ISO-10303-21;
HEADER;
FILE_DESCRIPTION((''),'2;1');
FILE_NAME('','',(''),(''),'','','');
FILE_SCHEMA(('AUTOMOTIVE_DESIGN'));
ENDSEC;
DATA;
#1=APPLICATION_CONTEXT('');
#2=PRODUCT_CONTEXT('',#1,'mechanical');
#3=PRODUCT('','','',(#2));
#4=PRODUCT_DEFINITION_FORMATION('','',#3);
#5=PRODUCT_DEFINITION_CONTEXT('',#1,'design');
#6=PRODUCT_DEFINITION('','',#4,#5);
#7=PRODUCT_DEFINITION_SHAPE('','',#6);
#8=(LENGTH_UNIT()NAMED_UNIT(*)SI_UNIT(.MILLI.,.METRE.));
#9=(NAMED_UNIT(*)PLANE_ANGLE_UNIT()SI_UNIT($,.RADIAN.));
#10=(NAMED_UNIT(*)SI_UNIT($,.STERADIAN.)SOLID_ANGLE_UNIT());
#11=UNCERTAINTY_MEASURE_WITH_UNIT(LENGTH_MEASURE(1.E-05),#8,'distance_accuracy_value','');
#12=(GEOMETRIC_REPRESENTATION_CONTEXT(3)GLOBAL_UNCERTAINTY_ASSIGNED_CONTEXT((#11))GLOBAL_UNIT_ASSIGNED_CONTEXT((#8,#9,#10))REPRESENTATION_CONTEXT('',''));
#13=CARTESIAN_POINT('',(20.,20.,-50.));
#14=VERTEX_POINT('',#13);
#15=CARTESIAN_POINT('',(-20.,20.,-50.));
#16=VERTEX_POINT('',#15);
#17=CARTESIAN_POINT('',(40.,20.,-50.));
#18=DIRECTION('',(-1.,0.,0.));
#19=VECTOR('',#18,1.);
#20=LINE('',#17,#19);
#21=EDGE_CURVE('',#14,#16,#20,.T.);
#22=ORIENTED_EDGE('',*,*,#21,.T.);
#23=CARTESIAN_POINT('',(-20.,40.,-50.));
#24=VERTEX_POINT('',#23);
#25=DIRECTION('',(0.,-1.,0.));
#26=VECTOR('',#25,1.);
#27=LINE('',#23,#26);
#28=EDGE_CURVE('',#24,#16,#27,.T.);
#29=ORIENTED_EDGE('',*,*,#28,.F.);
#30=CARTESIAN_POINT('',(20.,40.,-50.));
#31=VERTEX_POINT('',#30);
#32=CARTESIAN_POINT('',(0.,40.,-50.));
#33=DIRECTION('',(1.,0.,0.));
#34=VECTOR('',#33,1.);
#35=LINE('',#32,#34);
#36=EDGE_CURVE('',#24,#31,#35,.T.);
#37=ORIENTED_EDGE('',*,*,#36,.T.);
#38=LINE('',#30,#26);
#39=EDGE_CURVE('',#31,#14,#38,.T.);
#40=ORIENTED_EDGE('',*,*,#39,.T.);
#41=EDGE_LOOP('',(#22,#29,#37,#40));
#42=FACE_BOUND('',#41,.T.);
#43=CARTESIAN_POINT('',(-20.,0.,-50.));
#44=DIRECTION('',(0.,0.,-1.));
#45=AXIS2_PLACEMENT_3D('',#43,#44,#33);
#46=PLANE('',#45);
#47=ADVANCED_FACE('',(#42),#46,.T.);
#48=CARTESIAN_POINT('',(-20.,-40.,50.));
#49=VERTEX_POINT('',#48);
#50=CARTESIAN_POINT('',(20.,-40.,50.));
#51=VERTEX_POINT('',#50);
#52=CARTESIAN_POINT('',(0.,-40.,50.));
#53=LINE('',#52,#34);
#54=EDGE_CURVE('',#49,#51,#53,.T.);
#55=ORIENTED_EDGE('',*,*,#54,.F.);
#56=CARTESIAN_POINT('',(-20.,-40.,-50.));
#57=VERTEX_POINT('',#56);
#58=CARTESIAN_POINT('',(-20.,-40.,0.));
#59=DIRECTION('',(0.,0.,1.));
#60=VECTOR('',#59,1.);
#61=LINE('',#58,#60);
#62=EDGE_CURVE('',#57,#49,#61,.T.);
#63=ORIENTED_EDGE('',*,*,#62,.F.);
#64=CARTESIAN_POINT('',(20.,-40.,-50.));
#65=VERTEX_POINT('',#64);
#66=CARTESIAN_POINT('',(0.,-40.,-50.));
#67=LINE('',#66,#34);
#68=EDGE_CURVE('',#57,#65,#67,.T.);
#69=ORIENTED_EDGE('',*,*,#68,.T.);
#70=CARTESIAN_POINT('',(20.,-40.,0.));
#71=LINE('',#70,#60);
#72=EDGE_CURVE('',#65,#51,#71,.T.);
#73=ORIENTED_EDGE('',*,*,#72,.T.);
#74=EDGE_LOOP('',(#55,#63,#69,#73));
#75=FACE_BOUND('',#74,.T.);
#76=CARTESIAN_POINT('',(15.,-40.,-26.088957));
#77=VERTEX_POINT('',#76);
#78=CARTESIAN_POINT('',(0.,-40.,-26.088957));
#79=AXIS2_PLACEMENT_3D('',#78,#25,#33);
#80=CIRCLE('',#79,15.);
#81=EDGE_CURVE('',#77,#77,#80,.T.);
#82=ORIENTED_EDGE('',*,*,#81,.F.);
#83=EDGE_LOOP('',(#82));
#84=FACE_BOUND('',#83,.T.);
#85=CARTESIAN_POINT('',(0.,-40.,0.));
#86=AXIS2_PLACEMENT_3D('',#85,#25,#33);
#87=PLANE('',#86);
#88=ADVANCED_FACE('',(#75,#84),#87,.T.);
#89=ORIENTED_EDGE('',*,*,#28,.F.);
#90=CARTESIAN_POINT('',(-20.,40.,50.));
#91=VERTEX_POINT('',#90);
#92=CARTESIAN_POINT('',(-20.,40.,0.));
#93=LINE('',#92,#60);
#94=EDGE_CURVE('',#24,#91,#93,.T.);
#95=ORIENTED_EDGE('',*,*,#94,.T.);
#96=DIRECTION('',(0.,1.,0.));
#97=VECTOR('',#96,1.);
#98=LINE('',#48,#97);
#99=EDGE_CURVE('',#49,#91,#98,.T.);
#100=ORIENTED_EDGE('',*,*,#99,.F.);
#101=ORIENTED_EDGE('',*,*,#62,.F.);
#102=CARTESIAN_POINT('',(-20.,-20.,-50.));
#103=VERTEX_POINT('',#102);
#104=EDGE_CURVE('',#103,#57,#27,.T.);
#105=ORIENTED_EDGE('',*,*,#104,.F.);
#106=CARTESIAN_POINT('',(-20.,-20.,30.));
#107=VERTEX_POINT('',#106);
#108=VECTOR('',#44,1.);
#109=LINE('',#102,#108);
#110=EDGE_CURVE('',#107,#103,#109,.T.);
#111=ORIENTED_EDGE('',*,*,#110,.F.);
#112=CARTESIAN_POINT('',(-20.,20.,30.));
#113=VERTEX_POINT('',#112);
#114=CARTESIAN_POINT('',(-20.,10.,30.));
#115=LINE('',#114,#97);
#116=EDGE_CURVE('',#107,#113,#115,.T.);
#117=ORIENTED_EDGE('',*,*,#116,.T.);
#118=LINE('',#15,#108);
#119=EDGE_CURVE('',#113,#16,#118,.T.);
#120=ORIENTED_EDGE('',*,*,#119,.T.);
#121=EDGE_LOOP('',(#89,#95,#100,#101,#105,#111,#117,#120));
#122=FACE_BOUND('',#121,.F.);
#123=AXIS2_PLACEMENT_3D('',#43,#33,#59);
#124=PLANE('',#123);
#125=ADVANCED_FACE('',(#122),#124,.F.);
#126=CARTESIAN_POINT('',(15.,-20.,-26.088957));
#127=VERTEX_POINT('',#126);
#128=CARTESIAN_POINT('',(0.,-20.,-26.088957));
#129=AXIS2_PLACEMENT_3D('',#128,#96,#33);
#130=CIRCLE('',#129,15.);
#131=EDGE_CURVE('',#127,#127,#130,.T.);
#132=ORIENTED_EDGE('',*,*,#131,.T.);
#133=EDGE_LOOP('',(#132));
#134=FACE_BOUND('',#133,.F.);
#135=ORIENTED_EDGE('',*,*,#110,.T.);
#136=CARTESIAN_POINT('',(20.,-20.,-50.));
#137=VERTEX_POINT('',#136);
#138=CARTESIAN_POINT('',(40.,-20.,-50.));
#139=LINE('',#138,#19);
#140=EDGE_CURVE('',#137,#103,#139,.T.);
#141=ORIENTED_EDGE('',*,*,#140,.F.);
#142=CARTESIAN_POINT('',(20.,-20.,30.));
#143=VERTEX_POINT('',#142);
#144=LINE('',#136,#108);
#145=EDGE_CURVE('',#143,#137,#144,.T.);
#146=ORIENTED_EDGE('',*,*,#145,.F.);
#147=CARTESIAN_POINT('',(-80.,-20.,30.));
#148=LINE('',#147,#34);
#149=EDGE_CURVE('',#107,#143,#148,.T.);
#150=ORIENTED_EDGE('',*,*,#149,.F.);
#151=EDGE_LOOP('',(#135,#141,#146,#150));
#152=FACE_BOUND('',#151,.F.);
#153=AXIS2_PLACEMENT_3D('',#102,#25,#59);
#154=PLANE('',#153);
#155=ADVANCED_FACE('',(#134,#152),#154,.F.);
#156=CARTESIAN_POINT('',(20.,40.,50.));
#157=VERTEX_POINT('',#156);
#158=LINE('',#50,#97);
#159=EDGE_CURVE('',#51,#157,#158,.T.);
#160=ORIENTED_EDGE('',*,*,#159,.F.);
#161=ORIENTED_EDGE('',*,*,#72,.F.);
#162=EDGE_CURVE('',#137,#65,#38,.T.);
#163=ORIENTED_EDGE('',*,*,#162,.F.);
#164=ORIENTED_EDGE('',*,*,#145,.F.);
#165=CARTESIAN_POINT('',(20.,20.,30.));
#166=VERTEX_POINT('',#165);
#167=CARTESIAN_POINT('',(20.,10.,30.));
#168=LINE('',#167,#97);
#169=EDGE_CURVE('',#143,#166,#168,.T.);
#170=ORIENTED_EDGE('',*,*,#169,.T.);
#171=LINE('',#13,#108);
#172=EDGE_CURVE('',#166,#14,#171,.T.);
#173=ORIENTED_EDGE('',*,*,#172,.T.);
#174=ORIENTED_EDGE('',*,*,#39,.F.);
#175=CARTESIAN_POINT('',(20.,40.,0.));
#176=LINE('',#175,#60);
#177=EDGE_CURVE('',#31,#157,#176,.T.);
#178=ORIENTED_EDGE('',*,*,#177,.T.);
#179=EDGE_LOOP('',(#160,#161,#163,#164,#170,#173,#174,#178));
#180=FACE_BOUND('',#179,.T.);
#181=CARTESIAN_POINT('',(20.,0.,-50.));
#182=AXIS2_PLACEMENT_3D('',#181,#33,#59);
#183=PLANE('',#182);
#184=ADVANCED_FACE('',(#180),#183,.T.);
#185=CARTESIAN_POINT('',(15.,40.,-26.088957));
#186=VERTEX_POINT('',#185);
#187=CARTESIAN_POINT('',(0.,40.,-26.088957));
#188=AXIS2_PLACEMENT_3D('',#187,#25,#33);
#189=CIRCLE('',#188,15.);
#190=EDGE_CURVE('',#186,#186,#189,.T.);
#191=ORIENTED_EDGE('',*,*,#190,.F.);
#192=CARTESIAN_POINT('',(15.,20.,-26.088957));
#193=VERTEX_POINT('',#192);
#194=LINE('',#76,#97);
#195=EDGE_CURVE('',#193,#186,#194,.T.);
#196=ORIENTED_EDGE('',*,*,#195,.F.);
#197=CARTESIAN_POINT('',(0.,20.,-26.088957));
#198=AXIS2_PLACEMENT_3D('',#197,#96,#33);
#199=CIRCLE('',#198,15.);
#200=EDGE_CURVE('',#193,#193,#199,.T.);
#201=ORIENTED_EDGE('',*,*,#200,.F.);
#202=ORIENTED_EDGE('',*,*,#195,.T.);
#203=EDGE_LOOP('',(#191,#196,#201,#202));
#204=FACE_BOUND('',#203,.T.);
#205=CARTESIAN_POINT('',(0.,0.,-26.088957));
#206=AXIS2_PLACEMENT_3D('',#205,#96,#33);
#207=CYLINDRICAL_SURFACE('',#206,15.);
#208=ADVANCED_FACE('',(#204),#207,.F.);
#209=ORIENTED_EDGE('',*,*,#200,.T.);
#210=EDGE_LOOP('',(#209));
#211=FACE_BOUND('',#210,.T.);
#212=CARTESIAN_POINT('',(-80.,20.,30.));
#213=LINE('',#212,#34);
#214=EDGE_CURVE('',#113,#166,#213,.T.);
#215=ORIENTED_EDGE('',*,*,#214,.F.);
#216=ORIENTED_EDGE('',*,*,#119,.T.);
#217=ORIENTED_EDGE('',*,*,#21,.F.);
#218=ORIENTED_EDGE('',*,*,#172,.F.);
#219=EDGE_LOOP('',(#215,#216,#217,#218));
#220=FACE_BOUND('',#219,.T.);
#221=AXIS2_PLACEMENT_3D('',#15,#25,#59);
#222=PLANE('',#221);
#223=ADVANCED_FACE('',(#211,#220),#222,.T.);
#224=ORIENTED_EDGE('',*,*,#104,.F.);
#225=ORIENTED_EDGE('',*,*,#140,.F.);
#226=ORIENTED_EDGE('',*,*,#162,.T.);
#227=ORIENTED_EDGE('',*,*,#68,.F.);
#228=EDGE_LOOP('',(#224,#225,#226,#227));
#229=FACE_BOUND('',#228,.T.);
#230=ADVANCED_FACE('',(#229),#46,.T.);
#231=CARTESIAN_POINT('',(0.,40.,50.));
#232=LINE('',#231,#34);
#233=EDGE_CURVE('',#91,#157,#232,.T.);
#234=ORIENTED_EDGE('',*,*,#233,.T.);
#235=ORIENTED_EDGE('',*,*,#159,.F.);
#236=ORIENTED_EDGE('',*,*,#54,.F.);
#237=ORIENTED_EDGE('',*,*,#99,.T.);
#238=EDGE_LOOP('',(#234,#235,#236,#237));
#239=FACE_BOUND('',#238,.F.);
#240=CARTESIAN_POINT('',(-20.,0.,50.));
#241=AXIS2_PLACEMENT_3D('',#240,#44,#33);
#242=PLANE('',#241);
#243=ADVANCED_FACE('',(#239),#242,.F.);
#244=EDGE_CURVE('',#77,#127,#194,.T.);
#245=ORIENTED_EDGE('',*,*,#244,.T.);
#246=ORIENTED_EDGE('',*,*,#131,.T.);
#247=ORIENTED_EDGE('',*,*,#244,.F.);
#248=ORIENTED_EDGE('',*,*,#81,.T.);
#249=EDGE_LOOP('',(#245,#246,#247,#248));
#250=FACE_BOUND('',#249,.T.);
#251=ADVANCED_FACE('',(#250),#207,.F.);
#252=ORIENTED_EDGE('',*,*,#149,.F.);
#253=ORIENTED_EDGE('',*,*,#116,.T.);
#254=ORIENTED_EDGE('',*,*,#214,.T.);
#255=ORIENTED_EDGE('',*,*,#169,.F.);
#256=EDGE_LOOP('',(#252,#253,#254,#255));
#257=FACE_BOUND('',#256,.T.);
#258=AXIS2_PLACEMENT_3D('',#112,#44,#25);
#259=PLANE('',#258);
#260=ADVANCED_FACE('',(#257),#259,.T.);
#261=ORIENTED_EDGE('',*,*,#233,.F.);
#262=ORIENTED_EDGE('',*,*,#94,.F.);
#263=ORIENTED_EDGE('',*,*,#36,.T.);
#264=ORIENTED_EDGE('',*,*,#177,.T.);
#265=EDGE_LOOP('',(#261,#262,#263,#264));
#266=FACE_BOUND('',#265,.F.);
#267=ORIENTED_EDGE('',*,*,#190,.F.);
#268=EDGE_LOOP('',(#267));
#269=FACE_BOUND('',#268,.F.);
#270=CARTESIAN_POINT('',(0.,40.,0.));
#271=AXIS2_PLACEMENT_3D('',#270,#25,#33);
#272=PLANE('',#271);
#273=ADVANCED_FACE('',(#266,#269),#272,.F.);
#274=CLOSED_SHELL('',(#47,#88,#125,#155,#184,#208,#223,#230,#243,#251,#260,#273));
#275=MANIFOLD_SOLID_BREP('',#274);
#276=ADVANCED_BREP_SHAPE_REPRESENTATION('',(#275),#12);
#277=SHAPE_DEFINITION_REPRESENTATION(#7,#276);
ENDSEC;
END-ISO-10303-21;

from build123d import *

# Parameters (mm, degrees)
F0_W     = 40
F0_H     = 100
F0_R     = 15
F1_DEPTH = 40
F2_W     = 40
F2_H     = 80
F3_DEPTH = 60


with BuildPart() as f1:
    # F0 (on Front) → F1 (new body, symmetric)
    with BuildSketch(Plane.XZ):
        Rectangle(F0_W, F0_H)
        with Locations((0, -26.0889567435)):
            Circle(F0_R, mode=Mode.SUBTRACT)
    extrude(amount=F1_DEPTH, both=True)

    # F2 (on face) → F3 (cut, symmetric)
    with BuildSketch(Plane(origin=(-20, 0, 0), x_dir=(0, -1, 0), z_dir=(-1, 0, 0))):
        with Locations((0, -10)):
            Rectangle(F2_W, F2_H)
    extrude(amount=F3_DEPTH, both=True, mode=Mode.SUBTRACT)


solid = f1.part
